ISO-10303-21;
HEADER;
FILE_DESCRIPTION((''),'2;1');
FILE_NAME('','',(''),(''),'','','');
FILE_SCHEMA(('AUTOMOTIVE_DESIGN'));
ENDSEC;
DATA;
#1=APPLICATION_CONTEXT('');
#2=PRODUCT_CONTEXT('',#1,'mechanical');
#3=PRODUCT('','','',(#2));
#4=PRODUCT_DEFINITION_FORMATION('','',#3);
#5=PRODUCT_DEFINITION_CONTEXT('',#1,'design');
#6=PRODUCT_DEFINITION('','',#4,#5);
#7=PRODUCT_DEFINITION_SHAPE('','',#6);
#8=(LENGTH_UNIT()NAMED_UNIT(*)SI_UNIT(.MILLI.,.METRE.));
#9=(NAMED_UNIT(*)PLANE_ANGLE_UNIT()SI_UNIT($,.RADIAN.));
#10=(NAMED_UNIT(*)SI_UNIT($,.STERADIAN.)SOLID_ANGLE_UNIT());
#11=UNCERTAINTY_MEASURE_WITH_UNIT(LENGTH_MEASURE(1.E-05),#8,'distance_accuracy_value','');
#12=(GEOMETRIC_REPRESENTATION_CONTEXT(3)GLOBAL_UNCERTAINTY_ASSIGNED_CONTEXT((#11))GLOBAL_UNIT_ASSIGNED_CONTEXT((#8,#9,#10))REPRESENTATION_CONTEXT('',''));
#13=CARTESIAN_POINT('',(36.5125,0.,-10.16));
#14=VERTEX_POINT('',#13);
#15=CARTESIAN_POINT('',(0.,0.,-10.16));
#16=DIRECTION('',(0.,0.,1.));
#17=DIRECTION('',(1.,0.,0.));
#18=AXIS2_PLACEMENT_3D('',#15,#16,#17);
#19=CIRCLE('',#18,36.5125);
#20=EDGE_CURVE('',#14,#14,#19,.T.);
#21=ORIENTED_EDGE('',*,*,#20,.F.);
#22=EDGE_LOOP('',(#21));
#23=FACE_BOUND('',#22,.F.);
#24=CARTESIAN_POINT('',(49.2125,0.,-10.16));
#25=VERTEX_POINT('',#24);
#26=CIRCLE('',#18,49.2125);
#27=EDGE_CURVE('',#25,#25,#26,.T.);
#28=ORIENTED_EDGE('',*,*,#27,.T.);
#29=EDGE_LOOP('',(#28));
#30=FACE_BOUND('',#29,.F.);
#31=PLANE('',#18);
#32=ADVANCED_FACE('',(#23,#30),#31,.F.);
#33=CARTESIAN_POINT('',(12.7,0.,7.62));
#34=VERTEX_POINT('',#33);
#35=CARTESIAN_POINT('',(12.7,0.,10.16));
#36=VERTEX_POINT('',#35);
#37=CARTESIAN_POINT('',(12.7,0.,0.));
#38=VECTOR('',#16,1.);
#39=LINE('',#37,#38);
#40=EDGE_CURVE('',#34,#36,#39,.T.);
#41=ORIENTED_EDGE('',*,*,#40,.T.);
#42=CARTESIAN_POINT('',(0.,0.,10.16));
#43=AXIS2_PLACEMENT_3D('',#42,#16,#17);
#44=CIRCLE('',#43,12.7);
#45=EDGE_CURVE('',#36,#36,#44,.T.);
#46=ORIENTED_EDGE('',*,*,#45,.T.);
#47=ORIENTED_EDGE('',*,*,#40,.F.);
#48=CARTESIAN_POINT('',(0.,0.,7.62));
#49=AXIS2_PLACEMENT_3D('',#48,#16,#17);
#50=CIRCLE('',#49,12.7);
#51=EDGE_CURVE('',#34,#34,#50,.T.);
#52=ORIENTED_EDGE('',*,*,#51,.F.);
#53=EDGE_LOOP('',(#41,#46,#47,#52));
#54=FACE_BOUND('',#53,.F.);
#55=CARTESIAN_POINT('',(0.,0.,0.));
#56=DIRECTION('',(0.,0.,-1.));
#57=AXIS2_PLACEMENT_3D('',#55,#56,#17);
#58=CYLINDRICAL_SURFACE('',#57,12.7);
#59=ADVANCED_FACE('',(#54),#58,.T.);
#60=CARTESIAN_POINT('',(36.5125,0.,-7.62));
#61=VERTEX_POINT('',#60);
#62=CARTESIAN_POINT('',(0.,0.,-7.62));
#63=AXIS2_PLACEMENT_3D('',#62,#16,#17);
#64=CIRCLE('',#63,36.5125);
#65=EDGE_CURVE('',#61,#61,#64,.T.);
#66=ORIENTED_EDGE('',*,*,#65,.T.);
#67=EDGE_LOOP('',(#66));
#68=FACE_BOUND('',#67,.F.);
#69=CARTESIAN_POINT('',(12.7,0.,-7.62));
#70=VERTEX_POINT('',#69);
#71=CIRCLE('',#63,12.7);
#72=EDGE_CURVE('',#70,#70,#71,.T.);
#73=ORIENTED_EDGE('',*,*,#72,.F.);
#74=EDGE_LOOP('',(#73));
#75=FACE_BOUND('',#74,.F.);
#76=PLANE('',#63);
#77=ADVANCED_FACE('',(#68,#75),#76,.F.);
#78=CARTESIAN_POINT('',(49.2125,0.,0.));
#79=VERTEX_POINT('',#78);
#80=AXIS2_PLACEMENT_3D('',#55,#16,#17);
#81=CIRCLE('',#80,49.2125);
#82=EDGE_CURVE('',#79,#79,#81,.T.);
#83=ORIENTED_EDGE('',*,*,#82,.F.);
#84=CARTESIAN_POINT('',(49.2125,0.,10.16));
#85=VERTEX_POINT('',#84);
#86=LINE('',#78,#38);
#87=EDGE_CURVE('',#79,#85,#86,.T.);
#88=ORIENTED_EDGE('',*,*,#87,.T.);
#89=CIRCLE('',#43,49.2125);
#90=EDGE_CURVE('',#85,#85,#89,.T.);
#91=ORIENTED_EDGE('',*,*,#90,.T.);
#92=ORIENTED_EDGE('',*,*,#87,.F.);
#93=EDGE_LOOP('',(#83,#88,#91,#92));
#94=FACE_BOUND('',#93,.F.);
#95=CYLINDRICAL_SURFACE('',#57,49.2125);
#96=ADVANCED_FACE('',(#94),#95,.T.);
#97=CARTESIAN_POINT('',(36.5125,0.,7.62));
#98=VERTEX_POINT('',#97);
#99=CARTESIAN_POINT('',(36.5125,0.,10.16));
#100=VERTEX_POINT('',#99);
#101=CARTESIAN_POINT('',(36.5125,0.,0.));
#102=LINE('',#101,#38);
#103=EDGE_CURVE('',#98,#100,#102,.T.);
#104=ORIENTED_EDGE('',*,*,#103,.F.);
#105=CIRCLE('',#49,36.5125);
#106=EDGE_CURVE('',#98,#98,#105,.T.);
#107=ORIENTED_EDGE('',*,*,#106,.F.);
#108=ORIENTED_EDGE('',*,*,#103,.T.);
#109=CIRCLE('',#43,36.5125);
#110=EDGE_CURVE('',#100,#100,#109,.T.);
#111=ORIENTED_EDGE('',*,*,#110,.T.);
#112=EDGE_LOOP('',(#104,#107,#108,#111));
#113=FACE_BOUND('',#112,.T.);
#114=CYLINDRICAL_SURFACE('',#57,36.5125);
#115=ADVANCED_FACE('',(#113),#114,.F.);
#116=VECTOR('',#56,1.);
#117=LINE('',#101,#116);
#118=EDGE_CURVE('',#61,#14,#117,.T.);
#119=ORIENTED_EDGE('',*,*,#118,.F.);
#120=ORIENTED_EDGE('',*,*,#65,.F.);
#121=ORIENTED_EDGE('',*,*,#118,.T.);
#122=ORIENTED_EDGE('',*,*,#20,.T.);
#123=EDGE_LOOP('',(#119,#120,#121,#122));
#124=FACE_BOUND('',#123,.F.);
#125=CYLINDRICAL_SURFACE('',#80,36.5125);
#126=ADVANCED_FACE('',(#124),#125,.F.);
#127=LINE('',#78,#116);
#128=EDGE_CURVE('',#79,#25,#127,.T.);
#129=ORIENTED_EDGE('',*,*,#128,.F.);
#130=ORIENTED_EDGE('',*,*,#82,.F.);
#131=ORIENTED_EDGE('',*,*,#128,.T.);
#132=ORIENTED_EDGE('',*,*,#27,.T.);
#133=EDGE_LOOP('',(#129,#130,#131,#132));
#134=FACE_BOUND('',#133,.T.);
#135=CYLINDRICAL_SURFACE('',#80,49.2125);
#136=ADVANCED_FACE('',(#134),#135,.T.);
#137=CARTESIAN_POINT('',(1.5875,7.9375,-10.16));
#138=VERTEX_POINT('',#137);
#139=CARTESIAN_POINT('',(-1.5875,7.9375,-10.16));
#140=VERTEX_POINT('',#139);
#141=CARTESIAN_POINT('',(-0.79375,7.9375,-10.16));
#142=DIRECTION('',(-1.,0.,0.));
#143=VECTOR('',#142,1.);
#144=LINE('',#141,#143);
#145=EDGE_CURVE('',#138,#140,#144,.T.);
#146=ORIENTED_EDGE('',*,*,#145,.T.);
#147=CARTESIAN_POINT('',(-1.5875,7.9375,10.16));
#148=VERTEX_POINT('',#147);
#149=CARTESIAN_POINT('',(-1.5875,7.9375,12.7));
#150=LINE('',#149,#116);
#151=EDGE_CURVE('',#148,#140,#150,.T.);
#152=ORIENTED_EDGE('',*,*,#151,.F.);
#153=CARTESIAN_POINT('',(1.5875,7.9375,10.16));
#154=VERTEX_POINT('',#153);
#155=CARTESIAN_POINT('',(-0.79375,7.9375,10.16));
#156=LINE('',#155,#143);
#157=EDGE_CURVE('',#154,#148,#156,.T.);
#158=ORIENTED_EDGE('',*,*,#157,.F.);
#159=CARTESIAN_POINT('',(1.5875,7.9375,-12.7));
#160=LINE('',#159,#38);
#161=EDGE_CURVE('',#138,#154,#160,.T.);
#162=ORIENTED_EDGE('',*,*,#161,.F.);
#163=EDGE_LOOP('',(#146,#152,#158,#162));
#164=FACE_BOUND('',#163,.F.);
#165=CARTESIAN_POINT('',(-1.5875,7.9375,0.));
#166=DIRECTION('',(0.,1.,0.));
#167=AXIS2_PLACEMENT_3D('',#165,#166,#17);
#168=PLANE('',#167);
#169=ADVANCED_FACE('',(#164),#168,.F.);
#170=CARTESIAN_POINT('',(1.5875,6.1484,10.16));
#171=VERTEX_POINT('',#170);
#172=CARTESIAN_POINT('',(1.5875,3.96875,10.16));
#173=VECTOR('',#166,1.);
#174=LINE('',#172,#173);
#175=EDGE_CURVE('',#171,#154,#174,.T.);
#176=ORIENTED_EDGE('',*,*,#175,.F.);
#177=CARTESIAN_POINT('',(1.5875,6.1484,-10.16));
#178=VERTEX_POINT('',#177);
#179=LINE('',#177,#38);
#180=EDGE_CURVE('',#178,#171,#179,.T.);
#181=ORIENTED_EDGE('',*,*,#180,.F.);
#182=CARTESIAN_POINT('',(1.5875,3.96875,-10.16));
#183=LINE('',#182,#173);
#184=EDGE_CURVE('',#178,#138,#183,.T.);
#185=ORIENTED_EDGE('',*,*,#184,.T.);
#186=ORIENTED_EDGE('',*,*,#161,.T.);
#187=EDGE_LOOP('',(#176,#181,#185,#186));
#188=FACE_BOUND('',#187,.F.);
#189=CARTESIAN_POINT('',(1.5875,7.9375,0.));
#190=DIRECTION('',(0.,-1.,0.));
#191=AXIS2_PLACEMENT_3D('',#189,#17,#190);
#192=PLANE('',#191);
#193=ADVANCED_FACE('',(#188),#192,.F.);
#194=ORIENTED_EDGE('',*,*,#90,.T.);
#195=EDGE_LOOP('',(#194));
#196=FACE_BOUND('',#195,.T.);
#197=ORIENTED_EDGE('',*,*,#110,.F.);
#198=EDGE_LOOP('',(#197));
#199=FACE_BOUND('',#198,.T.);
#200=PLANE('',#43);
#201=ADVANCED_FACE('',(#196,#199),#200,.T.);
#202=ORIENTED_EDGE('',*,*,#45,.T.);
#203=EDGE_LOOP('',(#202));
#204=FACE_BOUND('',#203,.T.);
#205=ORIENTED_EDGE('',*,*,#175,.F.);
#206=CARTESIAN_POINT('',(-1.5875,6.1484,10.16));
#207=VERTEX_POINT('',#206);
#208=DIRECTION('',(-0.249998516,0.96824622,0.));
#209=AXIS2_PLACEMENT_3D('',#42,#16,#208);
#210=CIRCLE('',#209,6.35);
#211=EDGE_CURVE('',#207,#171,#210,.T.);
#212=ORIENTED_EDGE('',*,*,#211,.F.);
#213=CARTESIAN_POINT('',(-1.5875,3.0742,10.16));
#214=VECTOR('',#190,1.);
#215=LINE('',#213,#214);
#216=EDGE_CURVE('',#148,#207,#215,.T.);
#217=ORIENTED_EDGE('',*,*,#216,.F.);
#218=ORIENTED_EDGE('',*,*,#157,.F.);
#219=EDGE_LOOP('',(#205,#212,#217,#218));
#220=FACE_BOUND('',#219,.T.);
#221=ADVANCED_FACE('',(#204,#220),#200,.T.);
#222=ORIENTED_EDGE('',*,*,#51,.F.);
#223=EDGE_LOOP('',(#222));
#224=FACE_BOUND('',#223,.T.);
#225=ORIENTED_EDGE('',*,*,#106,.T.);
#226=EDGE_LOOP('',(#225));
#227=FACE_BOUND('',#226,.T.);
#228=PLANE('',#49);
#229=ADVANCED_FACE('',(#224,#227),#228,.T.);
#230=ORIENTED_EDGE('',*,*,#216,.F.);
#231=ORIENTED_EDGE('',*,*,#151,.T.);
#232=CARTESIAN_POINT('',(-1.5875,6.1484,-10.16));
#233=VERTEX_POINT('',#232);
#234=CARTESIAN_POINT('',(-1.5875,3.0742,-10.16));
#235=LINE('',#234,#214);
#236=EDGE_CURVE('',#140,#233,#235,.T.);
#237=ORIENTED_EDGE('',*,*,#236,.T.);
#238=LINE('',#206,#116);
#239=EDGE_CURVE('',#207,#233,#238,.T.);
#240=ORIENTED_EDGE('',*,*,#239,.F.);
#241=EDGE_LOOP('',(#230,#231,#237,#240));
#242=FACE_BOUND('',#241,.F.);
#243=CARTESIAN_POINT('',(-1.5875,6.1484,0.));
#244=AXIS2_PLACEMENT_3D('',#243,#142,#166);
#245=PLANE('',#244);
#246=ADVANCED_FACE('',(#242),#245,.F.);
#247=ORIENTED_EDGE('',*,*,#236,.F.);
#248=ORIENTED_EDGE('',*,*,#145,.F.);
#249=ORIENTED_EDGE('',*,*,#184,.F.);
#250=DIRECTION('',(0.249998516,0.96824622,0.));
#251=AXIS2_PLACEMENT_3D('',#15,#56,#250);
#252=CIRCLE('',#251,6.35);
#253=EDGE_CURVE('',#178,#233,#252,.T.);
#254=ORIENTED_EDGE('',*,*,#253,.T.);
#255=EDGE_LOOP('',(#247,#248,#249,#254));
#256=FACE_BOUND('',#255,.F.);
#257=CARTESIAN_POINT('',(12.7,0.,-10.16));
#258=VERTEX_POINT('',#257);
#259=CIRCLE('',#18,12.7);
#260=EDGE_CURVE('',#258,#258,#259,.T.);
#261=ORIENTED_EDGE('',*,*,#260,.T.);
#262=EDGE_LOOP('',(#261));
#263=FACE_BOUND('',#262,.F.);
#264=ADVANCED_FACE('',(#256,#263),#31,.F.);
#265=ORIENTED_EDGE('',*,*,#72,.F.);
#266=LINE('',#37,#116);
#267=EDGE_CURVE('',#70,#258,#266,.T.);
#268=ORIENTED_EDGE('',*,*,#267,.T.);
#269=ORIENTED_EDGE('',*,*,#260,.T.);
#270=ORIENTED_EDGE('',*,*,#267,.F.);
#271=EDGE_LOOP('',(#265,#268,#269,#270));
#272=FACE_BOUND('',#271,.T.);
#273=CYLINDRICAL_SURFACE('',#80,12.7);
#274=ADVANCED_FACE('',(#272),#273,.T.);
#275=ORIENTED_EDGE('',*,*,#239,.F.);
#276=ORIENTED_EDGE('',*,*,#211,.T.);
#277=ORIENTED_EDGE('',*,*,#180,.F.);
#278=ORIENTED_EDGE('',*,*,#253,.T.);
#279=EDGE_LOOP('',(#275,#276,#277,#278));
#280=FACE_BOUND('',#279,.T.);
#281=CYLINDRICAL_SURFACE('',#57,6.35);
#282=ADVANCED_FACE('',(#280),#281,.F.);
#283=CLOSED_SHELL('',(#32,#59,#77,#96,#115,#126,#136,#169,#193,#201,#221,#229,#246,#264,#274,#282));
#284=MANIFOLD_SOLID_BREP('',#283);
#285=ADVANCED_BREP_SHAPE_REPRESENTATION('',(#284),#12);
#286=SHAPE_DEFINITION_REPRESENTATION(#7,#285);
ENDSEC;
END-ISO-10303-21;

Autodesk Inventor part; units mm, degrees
ref_plane "YZ Plane" through (0, 0, 0) normal (1, 0, 0) x (0, 1, 0)
ref_plane "XZ Plane" through (0, 0, 0) normal (0, 1, 0) x (-1, 0, 0)
ref_plane "XY Plane" through (0, 0, 0) normal (0, 0, 1) x (1, 0, 0)
sketch "Sketch1" plane through (0, 0, 0) normal (0, 0, 1) x (1, 0, 0)
  circle A0 centre (0, 0) radius 49.2125
  circle A1 centre (0, 0) radius 6.35
  circle A2 centre (0, 0) radius 36.5125
  circle A3 centre (0, 0) radius 12.7
  line L0 (-1.5875, 7.9375) -> (1.5875, 7.9375)
  line L1 (1.5875, 7.9375) -> (1.5875, 6.1484)
  line L2 (1.5875, 6.1484) -> (-1.5875, 6.1484)
  line L3 (-1.5875, 6.1484) -> (-1.5875, 7.9375)
  point P0 (0, 6.1484)
  dimension "d1" = 12.7
  dimension "d0" = 98.425
  dimension "d2" = 12.7
  dimension "d3" = 25.4
  dimension "d10" = 7.9375
  dimension "d11" = 3.175
extrude "Extrusion1" add sketch "Sketch1" along normal mid plane 20.32 contours A0
extrude "Extrusion2" add sketch "Sketch1" along normal mid plane 15.24 contours A2
extrude "Extrusion3" add sketch "Sketch1" along normal mid plane 20.32 contours L2 A1 | A1 L3 L0 L1 | A3 picked at (-0.1781, 6.2081)
extrude "Extrusion4" cut sketch "Sketch1" along normal mid plane 25.4 contours L2 A1 | A1 L3 L0 L1 picked at (-0.1781, 6.2081)
properties part number "wheel"
